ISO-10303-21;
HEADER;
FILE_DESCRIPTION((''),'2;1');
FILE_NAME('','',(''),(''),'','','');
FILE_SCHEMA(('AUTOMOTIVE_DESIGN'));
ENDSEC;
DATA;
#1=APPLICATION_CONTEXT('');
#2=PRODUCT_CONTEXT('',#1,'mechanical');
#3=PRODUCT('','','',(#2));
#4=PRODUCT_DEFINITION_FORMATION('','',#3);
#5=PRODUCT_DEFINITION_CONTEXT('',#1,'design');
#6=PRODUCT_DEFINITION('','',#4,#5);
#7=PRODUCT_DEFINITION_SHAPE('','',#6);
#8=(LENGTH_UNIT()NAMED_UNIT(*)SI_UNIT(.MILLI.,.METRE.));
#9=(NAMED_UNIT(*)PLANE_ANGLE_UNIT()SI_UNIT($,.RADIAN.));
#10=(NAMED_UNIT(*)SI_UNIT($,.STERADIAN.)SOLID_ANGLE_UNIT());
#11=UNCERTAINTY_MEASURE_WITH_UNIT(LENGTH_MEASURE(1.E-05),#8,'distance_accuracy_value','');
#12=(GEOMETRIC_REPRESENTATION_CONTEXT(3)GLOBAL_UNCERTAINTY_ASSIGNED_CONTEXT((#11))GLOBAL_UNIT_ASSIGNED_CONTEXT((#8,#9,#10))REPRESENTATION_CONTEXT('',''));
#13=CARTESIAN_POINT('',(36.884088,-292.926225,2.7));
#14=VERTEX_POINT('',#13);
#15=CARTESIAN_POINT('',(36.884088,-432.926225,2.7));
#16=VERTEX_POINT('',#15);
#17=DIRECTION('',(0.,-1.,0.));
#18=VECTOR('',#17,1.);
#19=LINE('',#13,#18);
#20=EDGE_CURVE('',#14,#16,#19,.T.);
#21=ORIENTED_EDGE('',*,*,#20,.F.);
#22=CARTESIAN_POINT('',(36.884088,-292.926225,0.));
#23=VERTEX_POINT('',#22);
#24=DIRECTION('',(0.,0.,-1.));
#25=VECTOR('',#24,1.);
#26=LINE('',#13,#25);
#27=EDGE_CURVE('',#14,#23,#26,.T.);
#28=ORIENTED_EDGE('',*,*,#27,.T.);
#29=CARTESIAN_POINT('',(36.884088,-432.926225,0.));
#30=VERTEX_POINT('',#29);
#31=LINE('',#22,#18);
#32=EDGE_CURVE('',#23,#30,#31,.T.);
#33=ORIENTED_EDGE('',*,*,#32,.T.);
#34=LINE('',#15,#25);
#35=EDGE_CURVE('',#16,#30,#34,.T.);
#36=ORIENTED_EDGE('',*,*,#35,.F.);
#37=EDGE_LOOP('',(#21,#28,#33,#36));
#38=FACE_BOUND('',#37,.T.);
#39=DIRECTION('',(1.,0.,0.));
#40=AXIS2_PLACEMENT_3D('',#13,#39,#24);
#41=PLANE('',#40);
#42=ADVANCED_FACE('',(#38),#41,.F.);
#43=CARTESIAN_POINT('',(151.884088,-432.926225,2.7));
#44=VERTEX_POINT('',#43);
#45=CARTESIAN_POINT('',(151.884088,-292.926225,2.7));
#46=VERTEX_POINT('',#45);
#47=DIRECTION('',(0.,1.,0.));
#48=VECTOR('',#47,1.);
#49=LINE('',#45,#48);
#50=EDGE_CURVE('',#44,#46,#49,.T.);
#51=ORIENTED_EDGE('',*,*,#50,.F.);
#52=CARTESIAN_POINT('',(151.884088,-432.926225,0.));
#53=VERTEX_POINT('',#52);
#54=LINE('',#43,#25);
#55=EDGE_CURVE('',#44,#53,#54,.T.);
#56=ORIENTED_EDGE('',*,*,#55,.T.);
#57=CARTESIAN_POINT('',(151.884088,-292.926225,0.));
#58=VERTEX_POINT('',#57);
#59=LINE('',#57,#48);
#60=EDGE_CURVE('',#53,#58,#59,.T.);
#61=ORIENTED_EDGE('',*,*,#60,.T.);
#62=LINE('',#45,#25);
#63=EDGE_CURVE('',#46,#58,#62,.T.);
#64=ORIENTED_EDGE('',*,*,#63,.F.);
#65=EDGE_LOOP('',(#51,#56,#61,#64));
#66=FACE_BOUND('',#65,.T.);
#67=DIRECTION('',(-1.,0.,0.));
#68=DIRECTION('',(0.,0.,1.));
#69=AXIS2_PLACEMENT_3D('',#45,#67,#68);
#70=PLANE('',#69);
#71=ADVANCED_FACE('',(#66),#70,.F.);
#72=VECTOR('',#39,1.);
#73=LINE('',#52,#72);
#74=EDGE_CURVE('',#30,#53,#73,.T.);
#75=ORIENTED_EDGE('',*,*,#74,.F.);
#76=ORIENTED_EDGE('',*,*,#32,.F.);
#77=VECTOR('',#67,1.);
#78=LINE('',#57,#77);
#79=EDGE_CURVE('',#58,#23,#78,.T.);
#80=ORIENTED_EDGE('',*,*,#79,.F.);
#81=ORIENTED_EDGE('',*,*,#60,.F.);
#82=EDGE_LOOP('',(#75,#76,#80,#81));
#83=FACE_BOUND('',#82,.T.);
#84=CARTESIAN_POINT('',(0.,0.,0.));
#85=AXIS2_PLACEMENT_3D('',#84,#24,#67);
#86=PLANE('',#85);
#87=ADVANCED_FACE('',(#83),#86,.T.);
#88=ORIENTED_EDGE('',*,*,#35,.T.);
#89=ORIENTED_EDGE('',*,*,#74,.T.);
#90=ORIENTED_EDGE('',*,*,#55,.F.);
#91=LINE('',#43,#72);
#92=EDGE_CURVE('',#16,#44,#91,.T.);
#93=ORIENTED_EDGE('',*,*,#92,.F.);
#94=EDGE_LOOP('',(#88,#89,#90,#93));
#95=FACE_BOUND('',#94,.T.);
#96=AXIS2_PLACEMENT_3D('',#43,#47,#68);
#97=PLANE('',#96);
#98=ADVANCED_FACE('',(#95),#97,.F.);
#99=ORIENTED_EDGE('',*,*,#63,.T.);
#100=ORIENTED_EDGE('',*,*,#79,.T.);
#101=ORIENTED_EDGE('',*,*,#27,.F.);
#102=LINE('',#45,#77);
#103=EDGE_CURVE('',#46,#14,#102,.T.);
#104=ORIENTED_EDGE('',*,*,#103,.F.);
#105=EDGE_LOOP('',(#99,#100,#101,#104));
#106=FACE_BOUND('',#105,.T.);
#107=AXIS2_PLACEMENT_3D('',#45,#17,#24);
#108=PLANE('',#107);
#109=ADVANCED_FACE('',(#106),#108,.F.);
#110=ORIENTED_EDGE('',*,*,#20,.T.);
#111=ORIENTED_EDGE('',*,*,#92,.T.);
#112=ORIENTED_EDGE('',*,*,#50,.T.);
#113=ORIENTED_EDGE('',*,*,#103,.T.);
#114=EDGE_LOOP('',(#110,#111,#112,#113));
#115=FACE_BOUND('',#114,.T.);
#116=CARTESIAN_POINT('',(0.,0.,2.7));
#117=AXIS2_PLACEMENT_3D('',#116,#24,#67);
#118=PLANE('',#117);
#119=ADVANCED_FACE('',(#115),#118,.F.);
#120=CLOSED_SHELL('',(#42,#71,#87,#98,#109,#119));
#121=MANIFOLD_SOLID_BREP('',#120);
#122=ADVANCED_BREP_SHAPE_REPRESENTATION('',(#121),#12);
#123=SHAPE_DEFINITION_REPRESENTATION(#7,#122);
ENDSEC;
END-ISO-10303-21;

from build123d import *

# Parameters (mm, degrees)
SKETCH2_W           = 115
SKETCH2_H           = 140
BOSS_EXTRUDE1_DEPTH = 2.7


with BuildPart() as part:
    # Sketch2 → Boss-Extrude1 (new body)
    with BuildSketch(Plane.XY):
        with Locations((94.384088259, -362.926224712)):
            Rectangle(SKETCH2_W, SKETCH2_H)
    extrude(amount=BOSS_EXTRUDE1_DEPTH)


solid = part.part
